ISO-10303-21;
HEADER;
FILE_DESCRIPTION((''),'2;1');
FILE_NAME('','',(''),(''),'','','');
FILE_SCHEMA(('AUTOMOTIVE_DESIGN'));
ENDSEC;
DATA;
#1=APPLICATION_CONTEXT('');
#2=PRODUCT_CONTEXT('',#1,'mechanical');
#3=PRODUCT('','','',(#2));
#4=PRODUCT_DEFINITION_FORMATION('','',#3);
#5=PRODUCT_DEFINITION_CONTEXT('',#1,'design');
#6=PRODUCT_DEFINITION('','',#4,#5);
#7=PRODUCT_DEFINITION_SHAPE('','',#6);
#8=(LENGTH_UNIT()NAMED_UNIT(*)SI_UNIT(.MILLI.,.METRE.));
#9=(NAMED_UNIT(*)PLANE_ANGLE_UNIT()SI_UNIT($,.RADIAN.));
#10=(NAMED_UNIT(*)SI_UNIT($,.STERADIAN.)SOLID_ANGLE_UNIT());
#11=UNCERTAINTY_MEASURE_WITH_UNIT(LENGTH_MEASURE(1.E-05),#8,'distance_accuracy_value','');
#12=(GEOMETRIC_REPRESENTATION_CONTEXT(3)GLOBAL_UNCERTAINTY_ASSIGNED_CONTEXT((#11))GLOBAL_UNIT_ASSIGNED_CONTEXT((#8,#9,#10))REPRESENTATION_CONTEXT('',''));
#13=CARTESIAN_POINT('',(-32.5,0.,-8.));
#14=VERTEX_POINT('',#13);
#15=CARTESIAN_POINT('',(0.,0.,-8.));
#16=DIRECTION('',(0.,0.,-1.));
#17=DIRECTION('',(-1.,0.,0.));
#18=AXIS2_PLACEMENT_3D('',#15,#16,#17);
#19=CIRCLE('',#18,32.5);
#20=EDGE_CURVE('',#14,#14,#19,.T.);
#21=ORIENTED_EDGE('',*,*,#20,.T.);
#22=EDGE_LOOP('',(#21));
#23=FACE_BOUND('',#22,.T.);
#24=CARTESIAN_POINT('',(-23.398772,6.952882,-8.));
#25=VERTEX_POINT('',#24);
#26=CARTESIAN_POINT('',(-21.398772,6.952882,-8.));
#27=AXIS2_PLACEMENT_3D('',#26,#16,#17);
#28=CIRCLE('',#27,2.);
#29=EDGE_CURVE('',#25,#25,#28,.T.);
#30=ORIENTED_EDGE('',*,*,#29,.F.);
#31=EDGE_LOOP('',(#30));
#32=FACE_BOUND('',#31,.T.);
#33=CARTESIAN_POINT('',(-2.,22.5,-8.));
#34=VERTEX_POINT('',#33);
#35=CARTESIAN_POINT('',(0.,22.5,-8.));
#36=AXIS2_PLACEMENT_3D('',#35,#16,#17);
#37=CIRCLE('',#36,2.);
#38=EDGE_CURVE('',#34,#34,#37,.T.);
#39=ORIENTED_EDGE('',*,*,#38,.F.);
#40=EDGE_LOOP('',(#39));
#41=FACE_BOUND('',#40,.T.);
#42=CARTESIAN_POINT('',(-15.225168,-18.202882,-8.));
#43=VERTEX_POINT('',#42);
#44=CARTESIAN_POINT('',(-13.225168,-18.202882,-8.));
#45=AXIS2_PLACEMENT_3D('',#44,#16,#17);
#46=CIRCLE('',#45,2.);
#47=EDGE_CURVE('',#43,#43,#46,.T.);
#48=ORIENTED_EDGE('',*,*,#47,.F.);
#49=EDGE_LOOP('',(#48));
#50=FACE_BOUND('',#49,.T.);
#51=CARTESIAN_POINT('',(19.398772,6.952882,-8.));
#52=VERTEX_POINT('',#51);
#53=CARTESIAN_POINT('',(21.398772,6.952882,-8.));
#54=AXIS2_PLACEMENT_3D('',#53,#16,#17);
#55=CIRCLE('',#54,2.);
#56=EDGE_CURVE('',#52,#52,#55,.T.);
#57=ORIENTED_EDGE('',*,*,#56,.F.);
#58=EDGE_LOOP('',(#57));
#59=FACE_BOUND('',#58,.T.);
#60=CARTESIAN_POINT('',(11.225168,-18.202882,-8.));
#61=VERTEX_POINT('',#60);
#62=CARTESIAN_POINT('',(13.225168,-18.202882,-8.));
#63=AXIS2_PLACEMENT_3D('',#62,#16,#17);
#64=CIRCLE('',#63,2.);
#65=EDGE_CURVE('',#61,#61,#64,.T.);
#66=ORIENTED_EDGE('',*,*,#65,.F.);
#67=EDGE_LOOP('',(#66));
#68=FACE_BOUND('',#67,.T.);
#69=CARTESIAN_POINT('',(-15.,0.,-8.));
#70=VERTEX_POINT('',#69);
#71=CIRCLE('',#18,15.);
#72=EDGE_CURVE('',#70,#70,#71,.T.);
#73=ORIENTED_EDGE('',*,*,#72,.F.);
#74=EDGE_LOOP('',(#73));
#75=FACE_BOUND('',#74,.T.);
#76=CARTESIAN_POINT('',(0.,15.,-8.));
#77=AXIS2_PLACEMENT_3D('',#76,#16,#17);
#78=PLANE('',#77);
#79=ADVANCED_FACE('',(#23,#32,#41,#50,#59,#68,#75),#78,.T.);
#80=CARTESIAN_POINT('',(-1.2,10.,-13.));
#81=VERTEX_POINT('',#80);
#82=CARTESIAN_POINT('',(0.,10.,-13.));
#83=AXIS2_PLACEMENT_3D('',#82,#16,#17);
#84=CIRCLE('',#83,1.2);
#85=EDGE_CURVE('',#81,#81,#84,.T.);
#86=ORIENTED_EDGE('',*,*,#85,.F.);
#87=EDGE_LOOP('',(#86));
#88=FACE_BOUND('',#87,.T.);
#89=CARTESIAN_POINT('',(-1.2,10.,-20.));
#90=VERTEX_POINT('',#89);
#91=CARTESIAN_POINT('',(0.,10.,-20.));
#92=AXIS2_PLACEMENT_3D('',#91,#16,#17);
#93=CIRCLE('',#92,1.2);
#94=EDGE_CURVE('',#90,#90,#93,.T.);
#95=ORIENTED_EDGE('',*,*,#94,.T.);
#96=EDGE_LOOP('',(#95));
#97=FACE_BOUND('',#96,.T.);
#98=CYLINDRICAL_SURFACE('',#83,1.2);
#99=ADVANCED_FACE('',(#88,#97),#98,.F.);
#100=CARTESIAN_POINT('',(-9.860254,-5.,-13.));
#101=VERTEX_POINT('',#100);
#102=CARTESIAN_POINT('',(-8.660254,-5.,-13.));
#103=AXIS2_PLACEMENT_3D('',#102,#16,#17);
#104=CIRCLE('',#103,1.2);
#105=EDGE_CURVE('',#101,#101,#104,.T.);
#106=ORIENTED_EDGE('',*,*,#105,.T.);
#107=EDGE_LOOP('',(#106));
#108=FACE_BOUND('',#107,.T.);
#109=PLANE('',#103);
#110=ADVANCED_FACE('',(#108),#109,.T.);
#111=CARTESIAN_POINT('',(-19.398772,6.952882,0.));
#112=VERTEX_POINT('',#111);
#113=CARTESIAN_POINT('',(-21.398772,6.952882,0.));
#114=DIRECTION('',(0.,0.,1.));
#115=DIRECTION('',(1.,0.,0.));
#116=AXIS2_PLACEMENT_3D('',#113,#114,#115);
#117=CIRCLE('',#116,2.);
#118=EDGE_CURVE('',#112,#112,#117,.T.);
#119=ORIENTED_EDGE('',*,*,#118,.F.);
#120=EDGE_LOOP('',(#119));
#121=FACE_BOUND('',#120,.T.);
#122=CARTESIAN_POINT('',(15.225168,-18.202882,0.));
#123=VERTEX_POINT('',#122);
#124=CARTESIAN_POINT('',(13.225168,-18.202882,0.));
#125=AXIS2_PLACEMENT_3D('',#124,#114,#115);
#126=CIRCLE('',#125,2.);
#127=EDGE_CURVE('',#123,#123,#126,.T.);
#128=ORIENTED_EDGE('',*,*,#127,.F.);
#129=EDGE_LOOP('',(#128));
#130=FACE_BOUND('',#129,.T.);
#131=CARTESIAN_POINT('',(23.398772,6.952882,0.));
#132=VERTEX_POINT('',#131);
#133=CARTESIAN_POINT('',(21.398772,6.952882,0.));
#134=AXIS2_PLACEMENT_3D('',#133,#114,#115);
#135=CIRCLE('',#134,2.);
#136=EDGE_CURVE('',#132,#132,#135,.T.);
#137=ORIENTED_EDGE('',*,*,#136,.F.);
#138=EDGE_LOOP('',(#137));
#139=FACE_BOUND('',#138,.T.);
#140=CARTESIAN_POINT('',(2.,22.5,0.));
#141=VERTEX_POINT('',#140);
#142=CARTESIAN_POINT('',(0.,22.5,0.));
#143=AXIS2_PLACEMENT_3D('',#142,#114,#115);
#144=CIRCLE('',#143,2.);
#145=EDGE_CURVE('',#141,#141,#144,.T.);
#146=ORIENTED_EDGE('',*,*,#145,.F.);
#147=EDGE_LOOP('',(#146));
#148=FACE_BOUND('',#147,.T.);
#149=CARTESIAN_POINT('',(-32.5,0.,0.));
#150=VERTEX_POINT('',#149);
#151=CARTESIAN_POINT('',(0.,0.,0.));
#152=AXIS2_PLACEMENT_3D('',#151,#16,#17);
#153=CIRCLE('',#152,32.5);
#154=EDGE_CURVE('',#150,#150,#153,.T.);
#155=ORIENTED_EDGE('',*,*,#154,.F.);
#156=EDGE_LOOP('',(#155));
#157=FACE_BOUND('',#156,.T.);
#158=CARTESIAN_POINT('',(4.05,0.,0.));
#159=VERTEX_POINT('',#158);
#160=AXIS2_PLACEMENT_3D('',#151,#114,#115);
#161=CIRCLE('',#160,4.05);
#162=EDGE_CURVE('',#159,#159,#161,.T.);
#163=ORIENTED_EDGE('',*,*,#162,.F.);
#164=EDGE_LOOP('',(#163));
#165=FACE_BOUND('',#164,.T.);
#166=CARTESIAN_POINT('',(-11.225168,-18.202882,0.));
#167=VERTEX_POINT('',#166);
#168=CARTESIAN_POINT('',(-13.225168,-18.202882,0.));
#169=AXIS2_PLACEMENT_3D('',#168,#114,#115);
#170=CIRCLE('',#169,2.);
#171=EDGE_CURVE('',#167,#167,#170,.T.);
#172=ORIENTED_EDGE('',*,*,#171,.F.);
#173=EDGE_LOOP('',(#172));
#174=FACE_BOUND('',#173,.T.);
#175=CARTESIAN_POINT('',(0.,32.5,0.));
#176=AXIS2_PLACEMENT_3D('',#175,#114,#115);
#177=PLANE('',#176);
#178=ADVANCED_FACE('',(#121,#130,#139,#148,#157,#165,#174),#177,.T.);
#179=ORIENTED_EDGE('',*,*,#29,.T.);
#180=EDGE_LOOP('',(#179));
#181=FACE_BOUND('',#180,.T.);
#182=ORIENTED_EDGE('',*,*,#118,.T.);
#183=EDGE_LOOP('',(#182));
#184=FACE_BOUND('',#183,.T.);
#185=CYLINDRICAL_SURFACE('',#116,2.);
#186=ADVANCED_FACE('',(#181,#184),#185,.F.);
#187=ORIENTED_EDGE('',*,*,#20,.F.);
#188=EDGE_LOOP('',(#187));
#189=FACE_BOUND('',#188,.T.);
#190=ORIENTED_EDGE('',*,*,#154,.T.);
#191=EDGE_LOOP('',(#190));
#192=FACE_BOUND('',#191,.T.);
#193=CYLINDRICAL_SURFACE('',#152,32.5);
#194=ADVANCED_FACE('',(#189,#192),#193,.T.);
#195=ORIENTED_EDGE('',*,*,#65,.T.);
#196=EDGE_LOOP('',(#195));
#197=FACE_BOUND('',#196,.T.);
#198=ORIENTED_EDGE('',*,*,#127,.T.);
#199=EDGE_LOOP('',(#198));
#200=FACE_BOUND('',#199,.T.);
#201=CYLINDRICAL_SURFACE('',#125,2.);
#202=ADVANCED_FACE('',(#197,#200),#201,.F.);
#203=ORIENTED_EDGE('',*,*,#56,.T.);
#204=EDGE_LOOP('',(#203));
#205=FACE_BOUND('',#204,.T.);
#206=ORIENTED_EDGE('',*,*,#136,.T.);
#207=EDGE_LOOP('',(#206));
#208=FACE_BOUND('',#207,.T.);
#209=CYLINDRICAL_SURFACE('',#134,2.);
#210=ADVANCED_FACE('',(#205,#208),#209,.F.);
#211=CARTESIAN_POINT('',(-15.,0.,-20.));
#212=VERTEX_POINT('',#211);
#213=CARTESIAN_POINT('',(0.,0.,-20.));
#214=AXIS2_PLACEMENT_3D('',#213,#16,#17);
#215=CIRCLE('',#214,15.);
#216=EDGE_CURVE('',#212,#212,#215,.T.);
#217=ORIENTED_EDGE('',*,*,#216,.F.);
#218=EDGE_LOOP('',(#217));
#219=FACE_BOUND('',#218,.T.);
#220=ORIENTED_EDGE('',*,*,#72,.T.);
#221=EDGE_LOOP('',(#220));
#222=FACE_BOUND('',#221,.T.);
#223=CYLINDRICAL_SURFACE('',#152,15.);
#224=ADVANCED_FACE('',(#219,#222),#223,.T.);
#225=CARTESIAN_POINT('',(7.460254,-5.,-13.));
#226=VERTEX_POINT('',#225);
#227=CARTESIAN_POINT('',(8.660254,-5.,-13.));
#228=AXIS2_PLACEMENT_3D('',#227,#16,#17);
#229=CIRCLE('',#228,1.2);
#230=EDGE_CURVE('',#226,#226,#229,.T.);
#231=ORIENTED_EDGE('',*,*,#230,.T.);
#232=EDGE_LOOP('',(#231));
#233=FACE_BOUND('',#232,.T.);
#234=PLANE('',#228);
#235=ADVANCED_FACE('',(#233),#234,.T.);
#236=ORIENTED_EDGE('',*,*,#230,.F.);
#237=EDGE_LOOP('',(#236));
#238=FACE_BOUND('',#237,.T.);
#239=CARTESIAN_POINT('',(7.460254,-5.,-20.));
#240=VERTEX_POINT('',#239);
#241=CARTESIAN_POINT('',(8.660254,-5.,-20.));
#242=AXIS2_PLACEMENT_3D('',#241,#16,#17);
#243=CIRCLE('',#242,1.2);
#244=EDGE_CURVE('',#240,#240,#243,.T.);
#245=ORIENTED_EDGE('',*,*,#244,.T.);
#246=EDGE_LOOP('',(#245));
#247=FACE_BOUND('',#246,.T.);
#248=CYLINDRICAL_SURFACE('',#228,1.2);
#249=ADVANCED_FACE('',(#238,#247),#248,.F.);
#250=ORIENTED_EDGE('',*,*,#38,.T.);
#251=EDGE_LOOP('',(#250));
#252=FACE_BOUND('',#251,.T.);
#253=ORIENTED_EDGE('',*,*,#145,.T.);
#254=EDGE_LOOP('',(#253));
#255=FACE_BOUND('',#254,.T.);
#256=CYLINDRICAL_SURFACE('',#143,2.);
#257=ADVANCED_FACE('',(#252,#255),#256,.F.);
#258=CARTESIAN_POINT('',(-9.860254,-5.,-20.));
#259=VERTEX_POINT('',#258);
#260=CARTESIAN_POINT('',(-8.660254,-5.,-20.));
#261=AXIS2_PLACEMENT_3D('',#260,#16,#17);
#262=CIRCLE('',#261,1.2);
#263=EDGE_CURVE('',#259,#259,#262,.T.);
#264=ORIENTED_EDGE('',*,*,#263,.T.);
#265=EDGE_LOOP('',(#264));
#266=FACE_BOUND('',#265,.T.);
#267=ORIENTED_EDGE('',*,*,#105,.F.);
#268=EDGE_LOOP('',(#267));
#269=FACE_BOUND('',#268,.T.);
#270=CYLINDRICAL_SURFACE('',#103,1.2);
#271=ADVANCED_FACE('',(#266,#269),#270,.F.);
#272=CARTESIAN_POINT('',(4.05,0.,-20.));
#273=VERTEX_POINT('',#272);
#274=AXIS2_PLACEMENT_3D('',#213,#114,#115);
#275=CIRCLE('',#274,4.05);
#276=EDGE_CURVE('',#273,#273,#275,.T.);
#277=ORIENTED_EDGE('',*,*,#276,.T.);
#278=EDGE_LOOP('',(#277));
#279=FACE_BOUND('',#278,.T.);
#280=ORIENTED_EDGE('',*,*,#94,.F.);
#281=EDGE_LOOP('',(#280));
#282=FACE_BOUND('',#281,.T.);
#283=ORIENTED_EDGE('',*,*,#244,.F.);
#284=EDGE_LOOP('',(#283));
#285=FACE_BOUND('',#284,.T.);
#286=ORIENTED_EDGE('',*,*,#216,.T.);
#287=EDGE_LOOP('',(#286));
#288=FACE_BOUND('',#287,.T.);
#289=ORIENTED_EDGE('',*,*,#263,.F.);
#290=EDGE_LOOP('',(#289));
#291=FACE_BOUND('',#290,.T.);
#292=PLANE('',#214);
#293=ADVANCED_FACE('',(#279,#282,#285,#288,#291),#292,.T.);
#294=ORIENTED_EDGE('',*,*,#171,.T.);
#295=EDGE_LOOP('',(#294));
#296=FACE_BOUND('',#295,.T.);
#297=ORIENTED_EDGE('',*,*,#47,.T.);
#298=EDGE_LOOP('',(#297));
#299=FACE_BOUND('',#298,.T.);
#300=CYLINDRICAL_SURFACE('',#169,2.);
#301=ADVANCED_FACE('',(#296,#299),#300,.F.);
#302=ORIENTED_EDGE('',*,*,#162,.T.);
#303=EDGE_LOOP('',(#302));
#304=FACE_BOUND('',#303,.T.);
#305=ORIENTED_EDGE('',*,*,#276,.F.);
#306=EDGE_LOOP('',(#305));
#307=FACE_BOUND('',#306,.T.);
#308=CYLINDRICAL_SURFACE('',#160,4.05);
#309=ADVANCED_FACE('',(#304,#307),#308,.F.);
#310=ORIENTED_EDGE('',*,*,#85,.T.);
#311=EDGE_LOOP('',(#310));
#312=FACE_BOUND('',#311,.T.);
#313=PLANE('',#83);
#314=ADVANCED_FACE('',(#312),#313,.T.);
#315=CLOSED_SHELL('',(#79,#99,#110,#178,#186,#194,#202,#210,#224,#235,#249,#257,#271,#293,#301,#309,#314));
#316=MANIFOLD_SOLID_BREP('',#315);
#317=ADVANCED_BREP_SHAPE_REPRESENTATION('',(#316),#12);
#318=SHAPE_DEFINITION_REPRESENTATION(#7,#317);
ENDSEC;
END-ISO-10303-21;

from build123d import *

# Parameters (mm, degrees)
F_4_0_4_HEAT_INSERT_M3_D         = 4
F_8_1_8_1_DURCHMESSER_BOHRUNG1_D = 8.1
SKIZZE8_R                        = 1.2
SCHNITT_LINEAR_AUSTRAGEN1_DEPTH  = 7
KREISMUSTER1_COUNT               = 5


with BuildPart() as part:
    # Skizze1 → Rotation1 (revolve)
    with BuildSketch(Plane(origin=(0, 0, 0), x_dir=(0, 0, -1), z_dir=(1, 0, 0)), mode=Mode.PRIVATE) as rotation1_sk:
        Polygon((0, 0), (20, 0), (20, 15), (8, 15), (8, 32.5), (0, 32.5), align=None)
    revolve(rotation1_sk.sketch.rotate(Axis((0, 0, 0), (0, 0, 1)), 90), axis=Axis((0, 0, 0), (0, 0, 1)))

    # Ø4.0 (4) Heat Insert M3 (through all)
    with Locations(Plane.XY):
        with Locations((0, 22.5)):
            f_4_0_4_heat_insert_m3 = Hole(F_4_0_4_HEAT_INSERT_M3_D / 2)

    # Ø8.1 (8.1) Durchmesser Bohrung1 (through all)
    with Locations(Plane.XY):
        with Locations((0, 0)):
            Hole(F_8_1_8_1_DURCHMESSER_BOHRUNG1_D / 2)

    # Skizze8 → Schnitt-Linear austragen1 (cut)
    with BuildSketch(Plane(origin=(0, 0, -20), x_dir=(-1, 0, 0), z_dir=(0, 0, -1))):
        with Locations((0, 10)):
            Circle(SKIZZE8_R)
        with Locations((8.660254038, -5)):
            Circle(SKIZZE8_R)
        with Locations((-8.660254038, -5)):
            Circle(SKIZZE8_R)
    extrude(amount=-SCHNITT_LINEAR_AUSTRAGEN1_DEPTH, mode=Mode.SUBTRACT)

    # Kreismuster1: Ø4.0 (4) Heat Insert M3 ×5 about axis
    kreismuster1_axis = Axis((0, 0, 0), (0, 0, 1))
    for i in range(1, KREISMUSTER1_COUNT):
        add(f_4_0_4_heat_insert_m3.rotate(kreismuster1_axis, i * 360 / KREISMUSTER1_COUNT), mode=Mode.SUBTRACT)


solid = part.part
